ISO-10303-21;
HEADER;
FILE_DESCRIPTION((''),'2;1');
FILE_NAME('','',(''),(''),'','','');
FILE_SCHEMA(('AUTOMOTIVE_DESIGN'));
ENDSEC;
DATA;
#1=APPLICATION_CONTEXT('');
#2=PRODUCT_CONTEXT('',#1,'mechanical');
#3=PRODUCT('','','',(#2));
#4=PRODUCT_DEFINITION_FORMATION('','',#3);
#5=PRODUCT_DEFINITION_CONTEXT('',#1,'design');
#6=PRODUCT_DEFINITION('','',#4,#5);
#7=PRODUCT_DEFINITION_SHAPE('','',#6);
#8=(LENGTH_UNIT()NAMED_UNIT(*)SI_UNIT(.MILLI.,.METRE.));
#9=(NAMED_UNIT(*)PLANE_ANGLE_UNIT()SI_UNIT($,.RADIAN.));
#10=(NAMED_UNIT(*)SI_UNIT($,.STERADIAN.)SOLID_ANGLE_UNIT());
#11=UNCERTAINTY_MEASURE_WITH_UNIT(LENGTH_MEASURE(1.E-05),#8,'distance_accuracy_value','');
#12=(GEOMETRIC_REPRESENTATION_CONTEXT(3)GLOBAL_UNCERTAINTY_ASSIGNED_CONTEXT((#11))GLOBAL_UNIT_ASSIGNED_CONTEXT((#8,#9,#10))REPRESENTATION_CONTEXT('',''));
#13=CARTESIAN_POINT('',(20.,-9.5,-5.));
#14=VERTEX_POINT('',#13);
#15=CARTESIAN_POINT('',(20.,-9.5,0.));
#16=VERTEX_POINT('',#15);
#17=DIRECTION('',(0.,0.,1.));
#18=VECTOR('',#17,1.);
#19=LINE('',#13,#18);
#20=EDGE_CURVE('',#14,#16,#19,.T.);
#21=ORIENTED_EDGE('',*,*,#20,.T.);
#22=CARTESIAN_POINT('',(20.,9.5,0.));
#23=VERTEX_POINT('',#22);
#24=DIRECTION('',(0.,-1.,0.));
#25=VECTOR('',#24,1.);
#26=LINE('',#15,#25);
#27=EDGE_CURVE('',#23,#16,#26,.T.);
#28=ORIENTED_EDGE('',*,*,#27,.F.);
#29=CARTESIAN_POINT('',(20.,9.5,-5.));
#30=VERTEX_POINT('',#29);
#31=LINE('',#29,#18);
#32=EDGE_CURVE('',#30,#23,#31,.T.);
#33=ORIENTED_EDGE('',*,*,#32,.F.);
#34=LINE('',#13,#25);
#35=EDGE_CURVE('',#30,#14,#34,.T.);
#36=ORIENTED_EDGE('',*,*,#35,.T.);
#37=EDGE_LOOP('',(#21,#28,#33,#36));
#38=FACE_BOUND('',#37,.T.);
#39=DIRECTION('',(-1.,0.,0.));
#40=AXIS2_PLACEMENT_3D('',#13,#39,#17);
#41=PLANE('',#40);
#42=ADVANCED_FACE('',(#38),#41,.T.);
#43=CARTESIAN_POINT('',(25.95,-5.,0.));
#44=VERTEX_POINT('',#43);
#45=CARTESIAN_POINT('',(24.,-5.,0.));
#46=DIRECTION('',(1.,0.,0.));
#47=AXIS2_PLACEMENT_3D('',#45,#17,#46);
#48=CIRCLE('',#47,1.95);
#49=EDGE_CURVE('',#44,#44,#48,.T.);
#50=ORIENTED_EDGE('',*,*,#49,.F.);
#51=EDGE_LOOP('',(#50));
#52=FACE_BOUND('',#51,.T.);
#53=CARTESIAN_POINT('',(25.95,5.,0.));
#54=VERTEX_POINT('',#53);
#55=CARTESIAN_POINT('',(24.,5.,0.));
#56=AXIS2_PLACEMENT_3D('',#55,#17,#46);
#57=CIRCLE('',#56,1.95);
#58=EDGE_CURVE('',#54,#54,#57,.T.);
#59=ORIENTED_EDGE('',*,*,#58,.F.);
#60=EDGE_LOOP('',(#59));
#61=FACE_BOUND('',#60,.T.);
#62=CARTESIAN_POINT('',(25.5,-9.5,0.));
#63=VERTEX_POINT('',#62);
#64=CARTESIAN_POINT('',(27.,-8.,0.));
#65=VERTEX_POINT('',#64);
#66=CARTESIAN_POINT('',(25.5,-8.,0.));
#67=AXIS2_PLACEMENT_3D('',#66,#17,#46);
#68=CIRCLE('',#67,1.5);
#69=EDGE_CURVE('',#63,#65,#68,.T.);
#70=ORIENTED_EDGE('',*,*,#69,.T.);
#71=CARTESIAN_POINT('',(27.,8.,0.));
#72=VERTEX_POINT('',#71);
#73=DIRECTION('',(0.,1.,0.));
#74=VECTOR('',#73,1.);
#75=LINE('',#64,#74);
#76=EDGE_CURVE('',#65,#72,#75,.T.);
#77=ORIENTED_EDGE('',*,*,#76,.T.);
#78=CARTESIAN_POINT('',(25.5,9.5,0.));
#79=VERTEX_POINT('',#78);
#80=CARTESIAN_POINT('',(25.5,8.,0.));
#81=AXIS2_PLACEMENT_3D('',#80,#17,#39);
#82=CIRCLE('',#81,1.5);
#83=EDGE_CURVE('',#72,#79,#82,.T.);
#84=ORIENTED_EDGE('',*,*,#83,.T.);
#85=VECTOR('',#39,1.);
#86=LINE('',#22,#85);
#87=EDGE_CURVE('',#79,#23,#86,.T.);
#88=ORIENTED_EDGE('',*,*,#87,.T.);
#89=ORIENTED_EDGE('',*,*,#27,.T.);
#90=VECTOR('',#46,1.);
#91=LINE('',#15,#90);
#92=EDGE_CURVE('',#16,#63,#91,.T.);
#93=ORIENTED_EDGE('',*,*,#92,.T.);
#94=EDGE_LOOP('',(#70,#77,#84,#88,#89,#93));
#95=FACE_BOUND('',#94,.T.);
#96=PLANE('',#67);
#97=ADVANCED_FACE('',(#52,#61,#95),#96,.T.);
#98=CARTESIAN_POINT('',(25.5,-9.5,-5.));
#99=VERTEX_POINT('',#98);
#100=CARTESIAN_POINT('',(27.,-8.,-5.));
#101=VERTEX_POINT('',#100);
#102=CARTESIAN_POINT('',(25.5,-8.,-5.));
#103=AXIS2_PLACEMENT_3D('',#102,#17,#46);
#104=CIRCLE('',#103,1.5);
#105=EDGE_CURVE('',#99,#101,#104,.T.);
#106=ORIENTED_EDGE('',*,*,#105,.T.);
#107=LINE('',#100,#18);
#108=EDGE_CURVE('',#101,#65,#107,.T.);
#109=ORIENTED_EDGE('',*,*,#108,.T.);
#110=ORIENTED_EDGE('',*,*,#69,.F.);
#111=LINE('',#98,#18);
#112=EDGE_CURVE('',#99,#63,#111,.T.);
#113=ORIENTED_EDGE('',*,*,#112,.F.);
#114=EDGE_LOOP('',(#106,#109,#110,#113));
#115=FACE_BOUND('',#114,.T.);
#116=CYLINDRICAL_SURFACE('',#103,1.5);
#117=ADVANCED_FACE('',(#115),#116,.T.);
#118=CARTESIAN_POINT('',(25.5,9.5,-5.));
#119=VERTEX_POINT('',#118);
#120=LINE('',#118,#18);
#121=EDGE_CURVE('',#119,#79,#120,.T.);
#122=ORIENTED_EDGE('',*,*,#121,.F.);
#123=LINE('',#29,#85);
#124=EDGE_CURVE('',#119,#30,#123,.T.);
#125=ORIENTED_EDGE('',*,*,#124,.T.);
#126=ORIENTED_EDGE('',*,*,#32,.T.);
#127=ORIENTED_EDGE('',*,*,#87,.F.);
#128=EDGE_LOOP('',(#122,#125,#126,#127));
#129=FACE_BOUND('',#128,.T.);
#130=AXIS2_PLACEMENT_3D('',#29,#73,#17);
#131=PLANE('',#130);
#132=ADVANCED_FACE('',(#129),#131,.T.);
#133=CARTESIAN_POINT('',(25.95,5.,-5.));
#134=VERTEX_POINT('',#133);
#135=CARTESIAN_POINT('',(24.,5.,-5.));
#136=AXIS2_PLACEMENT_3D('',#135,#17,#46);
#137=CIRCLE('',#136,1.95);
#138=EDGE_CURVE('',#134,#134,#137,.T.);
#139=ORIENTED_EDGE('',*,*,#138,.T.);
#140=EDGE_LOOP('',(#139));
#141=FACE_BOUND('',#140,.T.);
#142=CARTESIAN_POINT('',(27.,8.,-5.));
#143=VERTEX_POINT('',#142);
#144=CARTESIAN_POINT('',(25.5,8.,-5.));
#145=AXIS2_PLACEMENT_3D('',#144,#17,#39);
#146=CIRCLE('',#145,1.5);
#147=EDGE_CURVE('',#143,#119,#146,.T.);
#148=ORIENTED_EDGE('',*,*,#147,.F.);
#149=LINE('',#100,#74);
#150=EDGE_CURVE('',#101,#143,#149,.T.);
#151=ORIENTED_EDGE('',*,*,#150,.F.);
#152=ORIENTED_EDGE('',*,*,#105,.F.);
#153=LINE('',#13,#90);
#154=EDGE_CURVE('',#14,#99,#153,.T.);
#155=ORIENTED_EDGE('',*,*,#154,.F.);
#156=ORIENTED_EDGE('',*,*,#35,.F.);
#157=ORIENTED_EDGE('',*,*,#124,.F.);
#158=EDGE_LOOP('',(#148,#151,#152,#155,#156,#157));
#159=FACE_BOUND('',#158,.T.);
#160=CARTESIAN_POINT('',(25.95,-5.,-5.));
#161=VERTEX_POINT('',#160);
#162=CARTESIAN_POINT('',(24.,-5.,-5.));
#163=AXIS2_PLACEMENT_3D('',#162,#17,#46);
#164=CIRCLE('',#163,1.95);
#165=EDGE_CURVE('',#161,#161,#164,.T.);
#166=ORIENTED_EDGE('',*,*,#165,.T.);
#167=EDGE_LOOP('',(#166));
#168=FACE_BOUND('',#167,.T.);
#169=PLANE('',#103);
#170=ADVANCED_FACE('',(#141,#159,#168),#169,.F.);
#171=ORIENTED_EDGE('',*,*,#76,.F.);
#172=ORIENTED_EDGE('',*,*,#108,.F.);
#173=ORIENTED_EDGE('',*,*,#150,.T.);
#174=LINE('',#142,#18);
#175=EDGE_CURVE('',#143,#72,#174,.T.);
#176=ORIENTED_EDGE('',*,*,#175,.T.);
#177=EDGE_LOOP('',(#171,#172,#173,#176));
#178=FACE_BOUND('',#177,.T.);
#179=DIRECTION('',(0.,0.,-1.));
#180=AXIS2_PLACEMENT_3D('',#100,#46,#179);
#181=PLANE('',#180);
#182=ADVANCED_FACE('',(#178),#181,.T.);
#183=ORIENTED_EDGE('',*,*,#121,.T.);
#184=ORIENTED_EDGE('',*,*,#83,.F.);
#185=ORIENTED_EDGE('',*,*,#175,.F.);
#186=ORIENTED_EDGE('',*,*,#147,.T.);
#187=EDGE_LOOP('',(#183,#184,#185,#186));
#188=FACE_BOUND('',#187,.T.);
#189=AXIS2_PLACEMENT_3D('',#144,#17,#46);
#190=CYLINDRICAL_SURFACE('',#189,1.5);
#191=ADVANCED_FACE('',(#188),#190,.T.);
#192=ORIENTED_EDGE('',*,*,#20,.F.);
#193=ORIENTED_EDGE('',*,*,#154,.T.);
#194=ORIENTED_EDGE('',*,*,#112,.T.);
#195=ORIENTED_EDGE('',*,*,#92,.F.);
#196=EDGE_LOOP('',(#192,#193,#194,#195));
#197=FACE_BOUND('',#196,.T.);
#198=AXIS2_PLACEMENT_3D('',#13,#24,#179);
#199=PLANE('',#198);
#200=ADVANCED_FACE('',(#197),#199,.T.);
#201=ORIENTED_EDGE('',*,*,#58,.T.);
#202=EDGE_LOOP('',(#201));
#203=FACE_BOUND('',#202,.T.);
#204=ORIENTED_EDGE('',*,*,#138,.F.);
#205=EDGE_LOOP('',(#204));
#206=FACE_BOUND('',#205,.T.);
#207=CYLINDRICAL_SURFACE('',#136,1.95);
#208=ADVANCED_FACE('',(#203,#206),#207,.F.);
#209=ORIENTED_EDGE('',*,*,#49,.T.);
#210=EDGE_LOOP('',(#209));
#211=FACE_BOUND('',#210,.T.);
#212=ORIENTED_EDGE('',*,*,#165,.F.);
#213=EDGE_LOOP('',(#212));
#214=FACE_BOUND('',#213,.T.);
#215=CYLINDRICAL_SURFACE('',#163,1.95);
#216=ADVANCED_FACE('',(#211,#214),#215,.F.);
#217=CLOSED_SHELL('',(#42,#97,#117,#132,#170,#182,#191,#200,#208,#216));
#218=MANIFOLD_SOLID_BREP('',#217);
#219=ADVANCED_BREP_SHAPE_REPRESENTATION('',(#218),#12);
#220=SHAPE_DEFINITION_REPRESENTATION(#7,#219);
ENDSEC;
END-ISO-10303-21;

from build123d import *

# Parameters (mm, degrees)
SKETCH1_R           = 1.95
BOSS_EXTRUDE2_DEPTH = 5


with BuildPart() as part:
    # Sketch1 → Boss-Extrude2 (new body)
    with BuildSketch(Plane.XY):
        with BuildLine():
            Line((20, -9.5), (20, 9.5))
            Line((20, 9.5), (25.5, 9.5))
            ThreePointArc((25.5, 9.5), (26.560660172, 9.060660172), (27, 8))
            Line((27, 8), (27, -8))
            ThreePointArc((27, -8), (26.560660172, -9.060660172), (25.5, -9.5))
            Line((25.5, -9.5), (20, -9.5))
        make_face()
        with Locations((24, -5)):
            Circle(SKETCH1_R, mode=Mode.SUBTRACT)
        with Locations((24, 5)):
            Circle(SKETCH1_R, mode=Mode.SUBTRACT)
    extrude(amount=-BOSS_EXTRUDE2_DEPTH)


solid = part.part
